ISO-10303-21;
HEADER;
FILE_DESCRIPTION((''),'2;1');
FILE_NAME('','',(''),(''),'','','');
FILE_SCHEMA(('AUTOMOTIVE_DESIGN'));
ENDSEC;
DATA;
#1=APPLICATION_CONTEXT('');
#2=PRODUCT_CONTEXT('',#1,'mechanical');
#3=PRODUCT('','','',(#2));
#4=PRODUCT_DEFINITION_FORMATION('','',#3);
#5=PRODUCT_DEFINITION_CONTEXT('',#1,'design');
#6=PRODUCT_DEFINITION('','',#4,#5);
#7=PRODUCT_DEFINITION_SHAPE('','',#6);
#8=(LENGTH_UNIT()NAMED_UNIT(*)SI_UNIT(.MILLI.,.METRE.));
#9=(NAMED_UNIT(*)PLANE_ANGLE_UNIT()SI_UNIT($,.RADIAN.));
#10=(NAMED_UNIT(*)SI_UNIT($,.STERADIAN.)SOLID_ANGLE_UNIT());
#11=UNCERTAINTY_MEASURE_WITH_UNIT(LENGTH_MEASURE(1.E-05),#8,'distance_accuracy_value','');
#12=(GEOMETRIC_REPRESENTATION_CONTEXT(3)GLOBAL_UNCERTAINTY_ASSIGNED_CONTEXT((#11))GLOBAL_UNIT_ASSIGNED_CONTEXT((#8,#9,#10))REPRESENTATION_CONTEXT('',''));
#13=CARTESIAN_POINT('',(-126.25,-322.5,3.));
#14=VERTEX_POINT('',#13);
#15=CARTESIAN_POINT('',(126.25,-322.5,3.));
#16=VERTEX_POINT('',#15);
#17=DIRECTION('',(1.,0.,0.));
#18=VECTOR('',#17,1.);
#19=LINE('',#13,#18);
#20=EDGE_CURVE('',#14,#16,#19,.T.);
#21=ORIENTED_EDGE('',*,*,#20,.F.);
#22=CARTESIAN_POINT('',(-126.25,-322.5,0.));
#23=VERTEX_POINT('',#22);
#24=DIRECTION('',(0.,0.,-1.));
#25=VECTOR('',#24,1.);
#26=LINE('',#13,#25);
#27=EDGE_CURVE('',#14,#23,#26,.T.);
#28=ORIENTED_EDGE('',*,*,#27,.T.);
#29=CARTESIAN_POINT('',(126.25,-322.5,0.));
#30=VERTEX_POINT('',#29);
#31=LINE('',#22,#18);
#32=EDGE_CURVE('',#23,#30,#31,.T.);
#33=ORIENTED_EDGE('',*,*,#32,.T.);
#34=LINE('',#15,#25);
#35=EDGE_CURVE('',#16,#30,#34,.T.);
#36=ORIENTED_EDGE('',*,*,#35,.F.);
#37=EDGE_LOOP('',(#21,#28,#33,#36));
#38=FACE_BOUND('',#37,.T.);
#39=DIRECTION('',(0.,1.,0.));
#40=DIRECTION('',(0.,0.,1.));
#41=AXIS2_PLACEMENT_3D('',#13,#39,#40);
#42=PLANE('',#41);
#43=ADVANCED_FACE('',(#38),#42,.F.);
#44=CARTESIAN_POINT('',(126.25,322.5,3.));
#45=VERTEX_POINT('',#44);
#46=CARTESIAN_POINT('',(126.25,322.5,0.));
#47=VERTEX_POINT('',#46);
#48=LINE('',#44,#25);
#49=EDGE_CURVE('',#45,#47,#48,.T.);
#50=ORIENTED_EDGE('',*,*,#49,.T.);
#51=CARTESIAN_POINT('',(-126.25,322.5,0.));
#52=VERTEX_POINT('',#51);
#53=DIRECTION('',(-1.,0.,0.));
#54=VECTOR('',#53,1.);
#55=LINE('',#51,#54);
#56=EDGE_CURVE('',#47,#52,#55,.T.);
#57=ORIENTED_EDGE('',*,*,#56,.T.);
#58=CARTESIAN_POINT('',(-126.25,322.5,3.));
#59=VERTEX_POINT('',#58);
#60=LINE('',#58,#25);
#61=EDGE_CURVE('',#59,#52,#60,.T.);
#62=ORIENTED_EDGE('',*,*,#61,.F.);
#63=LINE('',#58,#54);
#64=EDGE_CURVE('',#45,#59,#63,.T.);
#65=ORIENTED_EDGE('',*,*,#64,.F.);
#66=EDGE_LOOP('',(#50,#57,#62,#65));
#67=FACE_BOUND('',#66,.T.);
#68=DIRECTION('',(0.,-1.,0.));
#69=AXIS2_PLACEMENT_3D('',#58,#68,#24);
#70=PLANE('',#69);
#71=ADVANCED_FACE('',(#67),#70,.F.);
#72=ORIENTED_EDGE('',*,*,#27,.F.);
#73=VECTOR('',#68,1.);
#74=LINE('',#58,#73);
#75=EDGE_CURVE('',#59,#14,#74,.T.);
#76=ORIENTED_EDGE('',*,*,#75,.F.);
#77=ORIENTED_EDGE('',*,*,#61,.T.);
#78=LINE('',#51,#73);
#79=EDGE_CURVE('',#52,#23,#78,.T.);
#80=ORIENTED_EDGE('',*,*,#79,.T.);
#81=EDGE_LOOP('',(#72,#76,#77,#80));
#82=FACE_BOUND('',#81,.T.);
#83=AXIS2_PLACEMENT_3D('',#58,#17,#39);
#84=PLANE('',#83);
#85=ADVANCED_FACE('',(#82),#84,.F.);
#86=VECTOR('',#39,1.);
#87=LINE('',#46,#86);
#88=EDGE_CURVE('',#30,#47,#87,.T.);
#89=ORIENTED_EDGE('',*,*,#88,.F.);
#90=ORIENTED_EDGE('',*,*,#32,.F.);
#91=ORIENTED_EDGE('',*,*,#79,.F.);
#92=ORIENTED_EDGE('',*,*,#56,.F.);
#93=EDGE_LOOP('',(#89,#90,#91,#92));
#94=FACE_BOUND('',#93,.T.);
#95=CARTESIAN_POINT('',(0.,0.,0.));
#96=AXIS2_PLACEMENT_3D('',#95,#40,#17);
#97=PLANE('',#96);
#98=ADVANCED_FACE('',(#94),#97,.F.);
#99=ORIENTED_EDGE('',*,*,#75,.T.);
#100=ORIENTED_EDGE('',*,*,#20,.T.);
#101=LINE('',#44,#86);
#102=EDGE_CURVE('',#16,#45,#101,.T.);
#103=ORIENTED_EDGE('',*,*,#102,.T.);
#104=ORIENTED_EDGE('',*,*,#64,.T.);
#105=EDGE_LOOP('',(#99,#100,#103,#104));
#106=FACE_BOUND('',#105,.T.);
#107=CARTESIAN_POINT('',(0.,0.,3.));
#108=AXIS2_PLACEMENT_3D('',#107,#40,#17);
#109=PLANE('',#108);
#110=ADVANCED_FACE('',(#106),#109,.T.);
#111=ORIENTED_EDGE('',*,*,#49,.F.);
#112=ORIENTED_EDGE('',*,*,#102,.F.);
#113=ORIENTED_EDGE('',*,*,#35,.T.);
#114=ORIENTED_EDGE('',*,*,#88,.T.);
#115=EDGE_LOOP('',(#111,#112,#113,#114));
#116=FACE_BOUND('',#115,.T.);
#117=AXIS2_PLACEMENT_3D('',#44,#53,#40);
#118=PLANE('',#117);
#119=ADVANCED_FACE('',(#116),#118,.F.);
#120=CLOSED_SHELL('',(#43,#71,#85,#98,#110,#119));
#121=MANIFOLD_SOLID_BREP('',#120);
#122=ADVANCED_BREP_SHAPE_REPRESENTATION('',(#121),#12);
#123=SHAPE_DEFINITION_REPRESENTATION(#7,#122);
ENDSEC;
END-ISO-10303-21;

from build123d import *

# Parameters (mm, degrees)
SKICA1_W                = 252.5
SKICA1_H                = 645
P_IDAT_VYSUNUT_M1_DEPTH = 3


with BuildPart() as part:
    # Skica1 → Přidat vysunutím1 (new body)
    with BuildSketch(Plane.XY):
        Rectangle(SKICA1_W, SKICA1_H)
    extrude(amount=P_IDAT_VYSUNUT_M1_DEPTH)


solid = part.part
